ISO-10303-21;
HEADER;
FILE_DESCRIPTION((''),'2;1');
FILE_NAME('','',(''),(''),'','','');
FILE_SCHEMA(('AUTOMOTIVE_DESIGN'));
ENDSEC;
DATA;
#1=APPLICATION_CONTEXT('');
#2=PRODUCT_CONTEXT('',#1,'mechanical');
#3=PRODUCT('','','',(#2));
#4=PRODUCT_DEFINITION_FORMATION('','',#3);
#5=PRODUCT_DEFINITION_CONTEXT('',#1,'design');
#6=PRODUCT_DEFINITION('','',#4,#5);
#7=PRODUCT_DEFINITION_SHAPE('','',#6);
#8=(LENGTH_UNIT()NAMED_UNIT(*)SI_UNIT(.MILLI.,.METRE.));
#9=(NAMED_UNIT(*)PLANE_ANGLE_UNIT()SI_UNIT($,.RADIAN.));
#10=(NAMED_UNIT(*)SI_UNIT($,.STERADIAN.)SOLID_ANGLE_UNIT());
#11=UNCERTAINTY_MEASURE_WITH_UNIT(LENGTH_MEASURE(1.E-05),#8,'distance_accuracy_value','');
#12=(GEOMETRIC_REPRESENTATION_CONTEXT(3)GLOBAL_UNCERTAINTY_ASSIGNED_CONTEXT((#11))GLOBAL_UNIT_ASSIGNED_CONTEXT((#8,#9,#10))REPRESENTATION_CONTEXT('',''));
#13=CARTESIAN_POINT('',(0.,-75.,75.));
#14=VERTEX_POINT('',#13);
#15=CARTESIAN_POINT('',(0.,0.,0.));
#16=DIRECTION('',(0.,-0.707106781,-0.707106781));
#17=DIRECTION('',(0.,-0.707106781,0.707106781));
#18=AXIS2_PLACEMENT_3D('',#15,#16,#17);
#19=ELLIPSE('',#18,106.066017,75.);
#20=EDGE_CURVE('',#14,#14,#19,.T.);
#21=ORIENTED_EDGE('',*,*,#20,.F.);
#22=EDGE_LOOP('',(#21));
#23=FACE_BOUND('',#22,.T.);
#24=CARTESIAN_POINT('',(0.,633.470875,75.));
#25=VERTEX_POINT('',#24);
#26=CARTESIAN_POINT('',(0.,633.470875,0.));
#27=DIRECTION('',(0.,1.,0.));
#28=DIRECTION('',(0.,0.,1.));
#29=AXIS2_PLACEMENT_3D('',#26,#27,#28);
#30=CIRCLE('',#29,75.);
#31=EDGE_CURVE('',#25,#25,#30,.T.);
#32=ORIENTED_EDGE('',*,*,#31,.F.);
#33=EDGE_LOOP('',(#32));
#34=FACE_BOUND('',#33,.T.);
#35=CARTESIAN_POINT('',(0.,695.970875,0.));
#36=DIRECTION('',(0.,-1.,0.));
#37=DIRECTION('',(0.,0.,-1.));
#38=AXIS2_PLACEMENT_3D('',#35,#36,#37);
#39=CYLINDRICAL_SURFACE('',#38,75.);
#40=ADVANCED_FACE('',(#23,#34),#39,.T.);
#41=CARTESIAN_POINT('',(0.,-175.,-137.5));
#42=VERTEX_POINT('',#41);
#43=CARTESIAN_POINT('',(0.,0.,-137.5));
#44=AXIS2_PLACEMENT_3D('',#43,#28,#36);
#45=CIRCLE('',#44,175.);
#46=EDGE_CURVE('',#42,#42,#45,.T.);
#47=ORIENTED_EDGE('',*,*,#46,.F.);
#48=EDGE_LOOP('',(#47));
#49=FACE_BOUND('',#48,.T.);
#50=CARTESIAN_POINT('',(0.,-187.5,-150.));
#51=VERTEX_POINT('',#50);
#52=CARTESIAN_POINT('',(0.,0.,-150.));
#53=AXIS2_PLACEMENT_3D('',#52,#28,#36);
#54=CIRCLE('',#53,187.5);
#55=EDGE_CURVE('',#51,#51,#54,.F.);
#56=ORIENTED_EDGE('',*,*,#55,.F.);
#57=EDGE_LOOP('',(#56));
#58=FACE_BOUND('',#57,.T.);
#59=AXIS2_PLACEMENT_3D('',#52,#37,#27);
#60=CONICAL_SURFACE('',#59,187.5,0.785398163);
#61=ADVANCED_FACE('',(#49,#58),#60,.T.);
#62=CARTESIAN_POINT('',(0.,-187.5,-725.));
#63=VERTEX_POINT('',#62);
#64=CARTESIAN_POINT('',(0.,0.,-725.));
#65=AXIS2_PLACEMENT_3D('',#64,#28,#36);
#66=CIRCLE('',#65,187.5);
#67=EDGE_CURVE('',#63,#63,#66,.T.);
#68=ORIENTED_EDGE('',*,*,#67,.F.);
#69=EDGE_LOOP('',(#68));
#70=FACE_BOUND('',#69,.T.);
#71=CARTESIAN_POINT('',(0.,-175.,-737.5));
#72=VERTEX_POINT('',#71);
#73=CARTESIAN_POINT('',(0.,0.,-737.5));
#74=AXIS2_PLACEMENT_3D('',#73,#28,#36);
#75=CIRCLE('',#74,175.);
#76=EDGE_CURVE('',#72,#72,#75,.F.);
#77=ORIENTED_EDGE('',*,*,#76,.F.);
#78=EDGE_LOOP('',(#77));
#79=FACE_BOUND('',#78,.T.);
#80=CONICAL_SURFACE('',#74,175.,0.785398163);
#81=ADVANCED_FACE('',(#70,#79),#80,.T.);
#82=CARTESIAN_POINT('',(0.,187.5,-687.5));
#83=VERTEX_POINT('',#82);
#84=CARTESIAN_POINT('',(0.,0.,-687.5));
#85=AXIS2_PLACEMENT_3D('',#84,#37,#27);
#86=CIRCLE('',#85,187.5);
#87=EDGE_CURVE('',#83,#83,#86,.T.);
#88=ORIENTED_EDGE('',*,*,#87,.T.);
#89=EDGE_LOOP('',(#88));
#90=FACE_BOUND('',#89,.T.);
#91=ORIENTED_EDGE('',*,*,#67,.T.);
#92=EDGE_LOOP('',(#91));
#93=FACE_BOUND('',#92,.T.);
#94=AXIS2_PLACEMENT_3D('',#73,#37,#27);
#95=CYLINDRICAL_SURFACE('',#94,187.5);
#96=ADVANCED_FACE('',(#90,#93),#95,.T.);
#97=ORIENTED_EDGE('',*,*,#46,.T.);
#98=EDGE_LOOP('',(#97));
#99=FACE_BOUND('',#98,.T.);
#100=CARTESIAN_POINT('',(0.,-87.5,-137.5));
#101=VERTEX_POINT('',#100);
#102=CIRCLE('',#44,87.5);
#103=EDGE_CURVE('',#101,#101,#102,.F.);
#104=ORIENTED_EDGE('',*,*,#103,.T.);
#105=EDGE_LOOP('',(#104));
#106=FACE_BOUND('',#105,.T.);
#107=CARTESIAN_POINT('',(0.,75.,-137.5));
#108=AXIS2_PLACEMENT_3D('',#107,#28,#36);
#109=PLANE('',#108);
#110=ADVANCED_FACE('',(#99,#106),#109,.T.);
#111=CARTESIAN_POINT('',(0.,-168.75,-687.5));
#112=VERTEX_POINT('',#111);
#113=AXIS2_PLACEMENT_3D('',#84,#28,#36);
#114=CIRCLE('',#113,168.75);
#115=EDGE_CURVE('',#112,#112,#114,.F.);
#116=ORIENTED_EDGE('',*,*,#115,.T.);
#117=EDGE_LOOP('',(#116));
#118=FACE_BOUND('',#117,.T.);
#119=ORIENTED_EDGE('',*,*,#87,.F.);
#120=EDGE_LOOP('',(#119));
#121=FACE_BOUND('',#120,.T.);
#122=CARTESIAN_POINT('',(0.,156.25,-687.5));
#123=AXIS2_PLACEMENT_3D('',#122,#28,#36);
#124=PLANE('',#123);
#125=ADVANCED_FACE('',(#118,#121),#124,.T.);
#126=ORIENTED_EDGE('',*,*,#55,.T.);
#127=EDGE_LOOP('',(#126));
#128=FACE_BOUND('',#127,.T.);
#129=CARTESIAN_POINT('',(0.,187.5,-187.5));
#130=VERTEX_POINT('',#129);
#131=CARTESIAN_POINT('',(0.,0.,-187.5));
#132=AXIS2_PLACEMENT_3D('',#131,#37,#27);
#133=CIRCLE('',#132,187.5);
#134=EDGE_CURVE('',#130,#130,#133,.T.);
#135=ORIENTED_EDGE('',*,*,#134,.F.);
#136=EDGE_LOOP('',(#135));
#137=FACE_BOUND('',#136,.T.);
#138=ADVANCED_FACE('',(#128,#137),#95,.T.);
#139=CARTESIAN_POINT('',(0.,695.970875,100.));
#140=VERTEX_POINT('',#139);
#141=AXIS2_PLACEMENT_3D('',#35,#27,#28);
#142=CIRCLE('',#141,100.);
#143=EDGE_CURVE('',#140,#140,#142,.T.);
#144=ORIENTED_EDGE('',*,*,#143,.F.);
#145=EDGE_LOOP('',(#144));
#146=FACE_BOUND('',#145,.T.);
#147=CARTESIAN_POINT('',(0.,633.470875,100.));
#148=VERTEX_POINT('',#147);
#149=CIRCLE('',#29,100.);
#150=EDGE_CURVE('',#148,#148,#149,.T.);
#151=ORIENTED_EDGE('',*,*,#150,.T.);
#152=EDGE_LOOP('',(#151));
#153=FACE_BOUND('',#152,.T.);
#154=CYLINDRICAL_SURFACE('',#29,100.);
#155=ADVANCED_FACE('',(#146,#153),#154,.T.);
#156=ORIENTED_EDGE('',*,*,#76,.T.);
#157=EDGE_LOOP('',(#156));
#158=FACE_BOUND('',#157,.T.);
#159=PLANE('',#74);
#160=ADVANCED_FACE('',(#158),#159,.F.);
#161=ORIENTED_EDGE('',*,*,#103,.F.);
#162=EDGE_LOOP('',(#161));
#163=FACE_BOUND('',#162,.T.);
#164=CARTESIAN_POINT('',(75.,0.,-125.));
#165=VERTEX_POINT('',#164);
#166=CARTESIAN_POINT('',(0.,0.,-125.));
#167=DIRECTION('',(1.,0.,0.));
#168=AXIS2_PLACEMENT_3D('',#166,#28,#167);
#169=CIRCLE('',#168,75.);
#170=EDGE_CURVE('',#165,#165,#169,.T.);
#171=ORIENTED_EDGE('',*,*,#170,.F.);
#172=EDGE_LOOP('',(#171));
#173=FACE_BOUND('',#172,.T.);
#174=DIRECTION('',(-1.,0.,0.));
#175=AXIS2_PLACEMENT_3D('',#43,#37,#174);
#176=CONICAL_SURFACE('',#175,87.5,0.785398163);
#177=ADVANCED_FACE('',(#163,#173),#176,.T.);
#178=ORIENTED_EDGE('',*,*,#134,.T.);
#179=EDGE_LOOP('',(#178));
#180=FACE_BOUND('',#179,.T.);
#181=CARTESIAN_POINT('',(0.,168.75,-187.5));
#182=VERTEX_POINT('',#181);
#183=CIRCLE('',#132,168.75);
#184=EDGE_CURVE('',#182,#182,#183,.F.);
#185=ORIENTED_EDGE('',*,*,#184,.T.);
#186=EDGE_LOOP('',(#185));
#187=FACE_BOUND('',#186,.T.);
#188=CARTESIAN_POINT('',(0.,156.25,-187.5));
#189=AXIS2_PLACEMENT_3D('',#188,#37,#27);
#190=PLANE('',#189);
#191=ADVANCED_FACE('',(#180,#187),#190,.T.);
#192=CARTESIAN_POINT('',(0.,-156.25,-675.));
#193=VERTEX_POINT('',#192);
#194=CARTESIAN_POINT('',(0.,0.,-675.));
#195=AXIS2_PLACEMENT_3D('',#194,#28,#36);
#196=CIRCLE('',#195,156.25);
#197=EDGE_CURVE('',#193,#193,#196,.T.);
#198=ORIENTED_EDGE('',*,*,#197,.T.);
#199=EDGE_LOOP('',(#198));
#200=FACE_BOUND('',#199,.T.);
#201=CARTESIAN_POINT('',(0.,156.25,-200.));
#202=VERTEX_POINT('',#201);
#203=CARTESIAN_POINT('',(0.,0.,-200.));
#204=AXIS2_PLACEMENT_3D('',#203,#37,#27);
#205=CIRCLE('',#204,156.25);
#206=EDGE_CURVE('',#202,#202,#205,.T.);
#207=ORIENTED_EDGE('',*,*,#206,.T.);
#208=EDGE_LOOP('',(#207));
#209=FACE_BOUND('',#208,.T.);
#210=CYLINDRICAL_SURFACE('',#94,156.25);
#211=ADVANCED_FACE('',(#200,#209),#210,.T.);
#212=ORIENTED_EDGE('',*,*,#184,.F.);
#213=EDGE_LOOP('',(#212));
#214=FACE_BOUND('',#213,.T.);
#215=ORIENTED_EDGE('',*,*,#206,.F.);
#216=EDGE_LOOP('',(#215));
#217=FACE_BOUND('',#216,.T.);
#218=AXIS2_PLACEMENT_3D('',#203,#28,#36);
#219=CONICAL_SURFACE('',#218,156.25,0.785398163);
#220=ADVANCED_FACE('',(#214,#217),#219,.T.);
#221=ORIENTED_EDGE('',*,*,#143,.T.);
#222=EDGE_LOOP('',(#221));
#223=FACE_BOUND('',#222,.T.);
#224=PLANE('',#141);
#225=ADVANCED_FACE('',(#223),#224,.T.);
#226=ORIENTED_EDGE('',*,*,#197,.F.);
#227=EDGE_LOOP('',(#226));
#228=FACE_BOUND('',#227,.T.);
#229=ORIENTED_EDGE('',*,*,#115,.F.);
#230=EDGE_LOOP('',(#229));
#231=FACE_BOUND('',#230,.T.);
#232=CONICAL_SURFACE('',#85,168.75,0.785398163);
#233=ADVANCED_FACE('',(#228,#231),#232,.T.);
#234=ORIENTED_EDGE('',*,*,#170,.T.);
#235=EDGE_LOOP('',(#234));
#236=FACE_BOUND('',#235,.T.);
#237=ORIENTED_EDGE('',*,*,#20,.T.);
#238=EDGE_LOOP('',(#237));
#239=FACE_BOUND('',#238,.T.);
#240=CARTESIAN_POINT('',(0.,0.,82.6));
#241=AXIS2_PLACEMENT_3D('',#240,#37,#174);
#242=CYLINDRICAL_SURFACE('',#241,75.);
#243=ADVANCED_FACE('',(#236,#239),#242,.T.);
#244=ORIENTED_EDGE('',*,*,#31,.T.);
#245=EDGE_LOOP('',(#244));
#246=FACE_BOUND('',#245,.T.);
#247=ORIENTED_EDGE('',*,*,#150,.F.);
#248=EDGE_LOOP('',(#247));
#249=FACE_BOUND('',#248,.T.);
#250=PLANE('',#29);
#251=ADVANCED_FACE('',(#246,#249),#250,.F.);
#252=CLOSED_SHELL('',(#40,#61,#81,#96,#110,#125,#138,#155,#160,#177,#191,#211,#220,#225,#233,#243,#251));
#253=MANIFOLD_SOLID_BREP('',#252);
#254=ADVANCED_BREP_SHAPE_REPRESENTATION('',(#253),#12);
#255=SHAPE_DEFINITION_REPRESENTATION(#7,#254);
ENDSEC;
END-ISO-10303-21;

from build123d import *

# Parameters (mm, degrees)
SKETCH2_R           = 75
SKETCH3_R           = 100
BOSS_EXTRUDE1_DEPTH = 62.5
CHAMFER1_SIZE       = 12.5


with BuildPart() as part:
    # Sweep1: sweep along a path in Sketch1
    with BuildLine(Plane(origin=(0, 0, 0), x_dir=(0, 0, -1), z_dir=(1, 0, 0))) as sweep1_path:
        Line((0, 695.970875), (0, 0))
        Line((0, 0), (737.5, 0))
    # Sketch2 → Sweep1 (sweep)
    with BuildSketch(Plane(origin=(0, 695.970875, 0), x_dir=(1, 0, 0), z_dir=(0, 1, 0))):
        Circle(SKETCH2_R)
    sweep(path=sweep1_path.line, transition=Transition.RIGHT)

    # Sketch3 → Boss-Extrude1 (add)
    with BuildSketch(Plane(origin=(0, 695.970875, 0), x_dir=(1, 0, 0), z_dir=(0, 1, 0))):
        Circle(SKETCH3_R)
    extrude(amount=-BOSS_EXTRUDE1_DEPTH)

    # Sketch4 → Revolve1 (revolve)
    with BuildSketch(Plane(origin=(0, 0, 0), x_dir=(0, 0, -1), z_dir=(1, 0, 0))):
        Polygon((137.5, 75), (137.5, 187.5), (187.5, 187.5), (187.5, 156.25), (687.5, 156.25), (687.5, 187.5), (737.5, 187.5), (737.5, 75), align=None)
    revolve(axis=Axis((0, 0, -737.5), (0, 0, 1)))

    # Chamfer1
    chamfer1_edges = [part.edges().sort_by_distance(p)[0] for p in [
        (-75, 0, -137.5),
        (0, -187.5, -137.5),
        (0, -156.25, -187.5),
        (0, -156.25, -687.5),
        (0, -187.5, -737.5),
    ]]
    chamfer(chamfer1_edges, length=CHAMFER1_SIZE)


solid = part.part
